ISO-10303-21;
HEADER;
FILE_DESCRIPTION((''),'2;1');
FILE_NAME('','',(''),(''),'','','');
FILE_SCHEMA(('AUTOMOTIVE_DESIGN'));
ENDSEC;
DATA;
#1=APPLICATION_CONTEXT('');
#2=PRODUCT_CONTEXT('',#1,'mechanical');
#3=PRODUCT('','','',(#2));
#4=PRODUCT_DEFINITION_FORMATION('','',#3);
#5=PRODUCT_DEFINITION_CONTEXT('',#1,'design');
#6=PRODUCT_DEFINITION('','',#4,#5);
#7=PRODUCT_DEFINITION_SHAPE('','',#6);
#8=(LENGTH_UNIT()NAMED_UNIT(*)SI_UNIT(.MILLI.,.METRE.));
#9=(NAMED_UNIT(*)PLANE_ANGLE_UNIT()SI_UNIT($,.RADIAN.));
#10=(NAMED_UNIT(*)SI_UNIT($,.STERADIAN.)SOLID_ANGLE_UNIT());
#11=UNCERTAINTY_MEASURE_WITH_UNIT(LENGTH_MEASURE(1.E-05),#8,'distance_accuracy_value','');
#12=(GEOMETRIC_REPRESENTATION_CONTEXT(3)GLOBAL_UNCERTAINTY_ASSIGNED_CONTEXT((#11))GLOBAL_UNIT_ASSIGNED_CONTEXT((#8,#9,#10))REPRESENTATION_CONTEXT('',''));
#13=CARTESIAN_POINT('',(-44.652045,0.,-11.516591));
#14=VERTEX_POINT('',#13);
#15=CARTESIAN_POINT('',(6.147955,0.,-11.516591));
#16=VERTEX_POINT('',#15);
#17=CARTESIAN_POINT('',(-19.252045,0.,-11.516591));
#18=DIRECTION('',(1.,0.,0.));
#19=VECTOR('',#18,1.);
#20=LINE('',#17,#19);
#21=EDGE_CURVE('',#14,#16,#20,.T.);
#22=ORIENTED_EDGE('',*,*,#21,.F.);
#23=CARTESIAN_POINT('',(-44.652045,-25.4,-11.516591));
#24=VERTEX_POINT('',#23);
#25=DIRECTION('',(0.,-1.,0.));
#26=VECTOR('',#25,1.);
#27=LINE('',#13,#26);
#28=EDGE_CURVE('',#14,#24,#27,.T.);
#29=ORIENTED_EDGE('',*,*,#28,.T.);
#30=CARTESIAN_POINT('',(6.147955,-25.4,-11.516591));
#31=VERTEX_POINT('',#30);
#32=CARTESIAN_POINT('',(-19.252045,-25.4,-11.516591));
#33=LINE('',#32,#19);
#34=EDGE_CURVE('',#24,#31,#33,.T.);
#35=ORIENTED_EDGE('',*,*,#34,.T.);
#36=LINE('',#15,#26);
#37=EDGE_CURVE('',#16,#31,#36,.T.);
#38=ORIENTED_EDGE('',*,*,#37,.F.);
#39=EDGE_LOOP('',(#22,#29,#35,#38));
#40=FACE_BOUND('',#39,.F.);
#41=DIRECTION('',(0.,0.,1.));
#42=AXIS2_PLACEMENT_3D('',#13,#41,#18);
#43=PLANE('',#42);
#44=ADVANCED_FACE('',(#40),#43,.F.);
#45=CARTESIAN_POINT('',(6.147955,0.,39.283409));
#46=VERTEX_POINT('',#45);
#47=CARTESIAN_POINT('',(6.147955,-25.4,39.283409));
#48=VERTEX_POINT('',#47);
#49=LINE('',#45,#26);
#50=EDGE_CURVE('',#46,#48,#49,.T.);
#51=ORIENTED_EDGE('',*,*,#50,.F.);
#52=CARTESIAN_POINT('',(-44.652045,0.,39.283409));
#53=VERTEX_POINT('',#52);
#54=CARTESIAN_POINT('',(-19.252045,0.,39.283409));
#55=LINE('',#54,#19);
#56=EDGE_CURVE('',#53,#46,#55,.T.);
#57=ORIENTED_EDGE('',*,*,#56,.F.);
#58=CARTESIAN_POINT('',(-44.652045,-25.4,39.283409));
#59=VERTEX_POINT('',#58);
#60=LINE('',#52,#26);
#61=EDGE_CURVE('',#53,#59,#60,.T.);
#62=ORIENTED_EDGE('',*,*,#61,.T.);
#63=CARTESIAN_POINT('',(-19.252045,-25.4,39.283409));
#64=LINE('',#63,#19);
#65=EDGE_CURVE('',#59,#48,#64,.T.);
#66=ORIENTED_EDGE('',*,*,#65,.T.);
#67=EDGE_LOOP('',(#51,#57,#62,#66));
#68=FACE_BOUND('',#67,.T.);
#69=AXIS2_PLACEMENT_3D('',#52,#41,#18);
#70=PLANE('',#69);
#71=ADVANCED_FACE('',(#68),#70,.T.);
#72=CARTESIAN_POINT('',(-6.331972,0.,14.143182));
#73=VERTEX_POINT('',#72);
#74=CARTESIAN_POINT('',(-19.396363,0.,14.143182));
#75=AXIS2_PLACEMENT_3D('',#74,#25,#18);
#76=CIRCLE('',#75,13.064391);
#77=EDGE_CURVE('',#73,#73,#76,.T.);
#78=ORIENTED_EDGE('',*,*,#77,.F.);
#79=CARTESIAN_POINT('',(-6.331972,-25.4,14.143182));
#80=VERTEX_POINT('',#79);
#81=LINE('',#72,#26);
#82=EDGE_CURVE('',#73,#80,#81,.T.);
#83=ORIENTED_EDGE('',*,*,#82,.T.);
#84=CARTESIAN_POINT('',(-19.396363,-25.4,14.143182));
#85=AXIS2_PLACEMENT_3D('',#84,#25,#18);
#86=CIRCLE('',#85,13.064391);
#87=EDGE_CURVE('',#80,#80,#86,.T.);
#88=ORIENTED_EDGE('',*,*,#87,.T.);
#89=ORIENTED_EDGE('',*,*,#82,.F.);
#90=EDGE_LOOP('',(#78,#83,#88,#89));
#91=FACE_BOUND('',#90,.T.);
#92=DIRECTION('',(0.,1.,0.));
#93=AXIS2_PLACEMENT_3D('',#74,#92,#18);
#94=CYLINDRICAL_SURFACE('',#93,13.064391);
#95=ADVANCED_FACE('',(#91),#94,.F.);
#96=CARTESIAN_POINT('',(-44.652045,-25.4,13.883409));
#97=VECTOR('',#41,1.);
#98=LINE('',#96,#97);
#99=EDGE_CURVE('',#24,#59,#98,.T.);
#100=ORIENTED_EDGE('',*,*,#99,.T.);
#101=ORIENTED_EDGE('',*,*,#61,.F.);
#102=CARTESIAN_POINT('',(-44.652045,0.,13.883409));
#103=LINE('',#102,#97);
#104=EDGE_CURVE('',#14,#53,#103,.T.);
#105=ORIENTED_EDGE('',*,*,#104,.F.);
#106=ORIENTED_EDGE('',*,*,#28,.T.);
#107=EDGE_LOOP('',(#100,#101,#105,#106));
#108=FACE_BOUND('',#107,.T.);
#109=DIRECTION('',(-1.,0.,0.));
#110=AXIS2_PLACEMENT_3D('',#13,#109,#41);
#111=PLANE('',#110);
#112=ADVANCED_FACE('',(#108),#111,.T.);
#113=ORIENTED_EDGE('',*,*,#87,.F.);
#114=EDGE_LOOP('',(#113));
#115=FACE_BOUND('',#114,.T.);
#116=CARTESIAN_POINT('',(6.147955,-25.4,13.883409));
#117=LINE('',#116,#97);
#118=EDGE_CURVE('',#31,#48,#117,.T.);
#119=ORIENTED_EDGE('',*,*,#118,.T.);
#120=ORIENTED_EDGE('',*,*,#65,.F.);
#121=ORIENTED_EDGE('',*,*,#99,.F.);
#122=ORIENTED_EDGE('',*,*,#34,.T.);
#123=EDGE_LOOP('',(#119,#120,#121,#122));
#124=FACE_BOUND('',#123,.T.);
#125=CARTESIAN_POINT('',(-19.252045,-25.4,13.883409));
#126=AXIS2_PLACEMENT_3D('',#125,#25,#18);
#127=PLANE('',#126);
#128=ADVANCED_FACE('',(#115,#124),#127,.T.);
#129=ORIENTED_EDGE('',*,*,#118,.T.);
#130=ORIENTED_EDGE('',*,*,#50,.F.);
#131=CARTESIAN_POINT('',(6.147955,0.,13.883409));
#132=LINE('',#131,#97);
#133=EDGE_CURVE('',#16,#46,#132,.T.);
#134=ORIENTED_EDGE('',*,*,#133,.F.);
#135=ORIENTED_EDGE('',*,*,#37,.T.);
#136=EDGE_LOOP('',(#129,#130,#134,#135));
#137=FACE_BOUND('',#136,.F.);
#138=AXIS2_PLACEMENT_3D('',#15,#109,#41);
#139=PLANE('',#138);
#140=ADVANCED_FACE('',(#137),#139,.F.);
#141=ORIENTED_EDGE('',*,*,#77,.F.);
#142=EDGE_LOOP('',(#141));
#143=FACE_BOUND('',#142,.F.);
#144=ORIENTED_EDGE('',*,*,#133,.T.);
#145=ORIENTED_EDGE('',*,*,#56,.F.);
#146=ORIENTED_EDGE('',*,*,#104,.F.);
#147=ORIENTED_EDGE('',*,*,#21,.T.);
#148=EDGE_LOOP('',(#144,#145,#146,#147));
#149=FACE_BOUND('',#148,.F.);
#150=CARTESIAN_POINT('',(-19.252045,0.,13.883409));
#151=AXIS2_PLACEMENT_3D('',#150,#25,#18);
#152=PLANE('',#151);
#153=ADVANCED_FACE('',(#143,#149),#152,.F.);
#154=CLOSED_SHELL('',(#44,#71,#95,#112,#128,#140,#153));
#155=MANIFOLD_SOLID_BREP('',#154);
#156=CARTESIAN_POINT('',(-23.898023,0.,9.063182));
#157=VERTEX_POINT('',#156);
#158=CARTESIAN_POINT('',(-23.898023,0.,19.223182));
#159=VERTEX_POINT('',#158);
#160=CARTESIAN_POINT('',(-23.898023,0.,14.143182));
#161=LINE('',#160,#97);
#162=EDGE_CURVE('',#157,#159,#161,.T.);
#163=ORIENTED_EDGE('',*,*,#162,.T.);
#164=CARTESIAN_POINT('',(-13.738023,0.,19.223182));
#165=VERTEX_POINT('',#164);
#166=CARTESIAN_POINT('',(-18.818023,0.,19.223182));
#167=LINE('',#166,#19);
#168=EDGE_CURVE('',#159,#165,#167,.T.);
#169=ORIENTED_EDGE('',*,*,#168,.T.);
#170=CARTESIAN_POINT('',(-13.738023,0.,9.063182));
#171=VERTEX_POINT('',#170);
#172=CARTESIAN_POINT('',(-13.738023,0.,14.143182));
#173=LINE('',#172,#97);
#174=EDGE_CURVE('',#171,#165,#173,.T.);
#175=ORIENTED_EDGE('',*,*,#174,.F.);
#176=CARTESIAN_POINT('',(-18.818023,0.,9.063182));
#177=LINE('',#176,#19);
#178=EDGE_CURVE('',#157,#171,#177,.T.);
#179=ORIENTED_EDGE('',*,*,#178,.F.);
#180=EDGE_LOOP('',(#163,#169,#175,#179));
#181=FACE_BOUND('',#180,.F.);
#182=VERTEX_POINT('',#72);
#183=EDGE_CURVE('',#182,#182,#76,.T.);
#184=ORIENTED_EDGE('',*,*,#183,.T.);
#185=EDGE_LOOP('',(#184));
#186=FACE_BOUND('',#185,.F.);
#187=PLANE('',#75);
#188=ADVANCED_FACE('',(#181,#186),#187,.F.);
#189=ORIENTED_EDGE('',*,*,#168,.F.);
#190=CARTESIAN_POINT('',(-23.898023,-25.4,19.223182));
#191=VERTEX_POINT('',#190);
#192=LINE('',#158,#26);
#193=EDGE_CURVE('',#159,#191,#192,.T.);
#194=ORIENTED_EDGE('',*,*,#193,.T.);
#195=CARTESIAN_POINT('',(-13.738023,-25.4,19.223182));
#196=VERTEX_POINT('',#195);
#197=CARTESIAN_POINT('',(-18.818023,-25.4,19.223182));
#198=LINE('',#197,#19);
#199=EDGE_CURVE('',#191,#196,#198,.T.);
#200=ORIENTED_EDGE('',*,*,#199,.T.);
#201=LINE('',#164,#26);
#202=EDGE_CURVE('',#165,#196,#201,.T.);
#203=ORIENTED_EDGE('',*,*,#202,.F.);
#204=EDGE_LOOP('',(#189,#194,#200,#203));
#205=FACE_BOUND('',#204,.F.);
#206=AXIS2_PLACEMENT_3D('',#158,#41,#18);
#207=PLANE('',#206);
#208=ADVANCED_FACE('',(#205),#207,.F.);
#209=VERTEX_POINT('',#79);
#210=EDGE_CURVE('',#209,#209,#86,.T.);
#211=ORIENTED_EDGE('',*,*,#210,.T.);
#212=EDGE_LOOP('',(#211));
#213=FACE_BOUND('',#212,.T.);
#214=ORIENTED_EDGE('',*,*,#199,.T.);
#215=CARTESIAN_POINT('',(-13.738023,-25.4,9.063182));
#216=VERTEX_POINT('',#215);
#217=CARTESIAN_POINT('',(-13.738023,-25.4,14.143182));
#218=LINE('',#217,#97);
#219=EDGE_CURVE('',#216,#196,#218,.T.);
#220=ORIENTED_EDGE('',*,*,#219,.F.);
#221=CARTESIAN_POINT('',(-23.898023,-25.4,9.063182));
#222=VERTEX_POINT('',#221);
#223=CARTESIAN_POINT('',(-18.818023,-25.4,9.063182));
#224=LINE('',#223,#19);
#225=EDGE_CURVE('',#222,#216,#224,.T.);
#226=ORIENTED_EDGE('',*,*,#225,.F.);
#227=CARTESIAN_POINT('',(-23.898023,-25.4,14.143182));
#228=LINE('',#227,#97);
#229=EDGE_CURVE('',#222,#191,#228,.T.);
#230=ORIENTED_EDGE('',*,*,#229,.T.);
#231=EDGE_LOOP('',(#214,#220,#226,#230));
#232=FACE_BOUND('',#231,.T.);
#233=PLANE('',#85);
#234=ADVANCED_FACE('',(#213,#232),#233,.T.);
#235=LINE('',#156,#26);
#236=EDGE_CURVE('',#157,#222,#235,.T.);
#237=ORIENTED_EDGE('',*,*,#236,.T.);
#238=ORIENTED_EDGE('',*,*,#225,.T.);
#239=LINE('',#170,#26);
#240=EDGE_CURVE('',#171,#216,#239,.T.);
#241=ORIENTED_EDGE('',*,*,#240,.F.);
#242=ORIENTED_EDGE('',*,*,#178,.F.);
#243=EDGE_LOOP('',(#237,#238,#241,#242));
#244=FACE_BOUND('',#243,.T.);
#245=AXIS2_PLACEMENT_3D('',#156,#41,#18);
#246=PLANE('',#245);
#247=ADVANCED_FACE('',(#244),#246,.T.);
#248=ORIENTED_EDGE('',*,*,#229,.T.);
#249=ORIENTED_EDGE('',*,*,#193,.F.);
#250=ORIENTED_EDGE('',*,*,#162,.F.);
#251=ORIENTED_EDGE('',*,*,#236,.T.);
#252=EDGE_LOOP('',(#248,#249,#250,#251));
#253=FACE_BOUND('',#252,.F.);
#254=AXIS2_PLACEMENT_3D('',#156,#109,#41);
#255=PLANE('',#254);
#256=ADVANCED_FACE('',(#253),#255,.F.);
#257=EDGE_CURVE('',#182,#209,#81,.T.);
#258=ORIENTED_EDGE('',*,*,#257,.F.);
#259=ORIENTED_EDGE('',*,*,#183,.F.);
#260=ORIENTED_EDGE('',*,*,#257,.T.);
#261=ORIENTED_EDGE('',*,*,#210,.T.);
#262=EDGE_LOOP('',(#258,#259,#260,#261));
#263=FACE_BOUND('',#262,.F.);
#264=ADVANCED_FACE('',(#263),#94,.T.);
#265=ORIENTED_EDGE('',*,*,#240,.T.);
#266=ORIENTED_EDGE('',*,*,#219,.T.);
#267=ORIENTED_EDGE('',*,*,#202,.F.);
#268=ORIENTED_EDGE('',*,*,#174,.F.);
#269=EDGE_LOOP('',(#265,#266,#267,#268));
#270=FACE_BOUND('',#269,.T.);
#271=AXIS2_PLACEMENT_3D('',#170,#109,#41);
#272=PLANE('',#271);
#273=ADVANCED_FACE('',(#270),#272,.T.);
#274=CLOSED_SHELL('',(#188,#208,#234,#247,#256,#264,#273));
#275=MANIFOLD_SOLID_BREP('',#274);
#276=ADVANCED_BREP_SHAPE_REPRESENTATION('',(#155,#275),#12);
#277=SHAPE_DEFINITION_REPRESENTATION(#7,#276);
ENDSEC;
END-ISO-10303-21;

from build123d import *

# Parameters (mm, degrees)
F0_W     = 50.8
F0_H     = 50.8
F0_R     = 13.064391
F1_DEPTH = 25.4
F2_DEPTH = 25.4
F3_W     = 10.16
F3_H     = 10.16
F4_DEPTH = 25.4


with BuildPart() as f1:
    # F0 (on Front) → F1 (new body)
    with BuildSketch(Plane.XZ):
        with Locations((-19.252045, 13.883409)):
            Rectangle(F0_W, F0_H)
        with Locations((-19.396363, 14.143182)):
            Circle(F0_R, mode=Mode.SUBTRACT)
    extrude(amount=F1_DEPTH)


with BuildPart() as f2:
    # F0 (on Front) → F2 (new body)
    with BuildSketch(Plane.XZ):
        with Locations((-19.396363, 14.143182)):
            Circle(F0_R)
    extrude(amount=F2_DEPTH)

    # F3 (on face) → F4 (cut)
    with BuildSketch(Plane.XZ):
        with Locations((-18.818023, 14.143182)):
            Rectangle(F3_W, F3_H)
    extrude(amount=F4_DEPTH, mode=Mode.SUBTRACT)


solid = Compound([f1.part, f2.part])
